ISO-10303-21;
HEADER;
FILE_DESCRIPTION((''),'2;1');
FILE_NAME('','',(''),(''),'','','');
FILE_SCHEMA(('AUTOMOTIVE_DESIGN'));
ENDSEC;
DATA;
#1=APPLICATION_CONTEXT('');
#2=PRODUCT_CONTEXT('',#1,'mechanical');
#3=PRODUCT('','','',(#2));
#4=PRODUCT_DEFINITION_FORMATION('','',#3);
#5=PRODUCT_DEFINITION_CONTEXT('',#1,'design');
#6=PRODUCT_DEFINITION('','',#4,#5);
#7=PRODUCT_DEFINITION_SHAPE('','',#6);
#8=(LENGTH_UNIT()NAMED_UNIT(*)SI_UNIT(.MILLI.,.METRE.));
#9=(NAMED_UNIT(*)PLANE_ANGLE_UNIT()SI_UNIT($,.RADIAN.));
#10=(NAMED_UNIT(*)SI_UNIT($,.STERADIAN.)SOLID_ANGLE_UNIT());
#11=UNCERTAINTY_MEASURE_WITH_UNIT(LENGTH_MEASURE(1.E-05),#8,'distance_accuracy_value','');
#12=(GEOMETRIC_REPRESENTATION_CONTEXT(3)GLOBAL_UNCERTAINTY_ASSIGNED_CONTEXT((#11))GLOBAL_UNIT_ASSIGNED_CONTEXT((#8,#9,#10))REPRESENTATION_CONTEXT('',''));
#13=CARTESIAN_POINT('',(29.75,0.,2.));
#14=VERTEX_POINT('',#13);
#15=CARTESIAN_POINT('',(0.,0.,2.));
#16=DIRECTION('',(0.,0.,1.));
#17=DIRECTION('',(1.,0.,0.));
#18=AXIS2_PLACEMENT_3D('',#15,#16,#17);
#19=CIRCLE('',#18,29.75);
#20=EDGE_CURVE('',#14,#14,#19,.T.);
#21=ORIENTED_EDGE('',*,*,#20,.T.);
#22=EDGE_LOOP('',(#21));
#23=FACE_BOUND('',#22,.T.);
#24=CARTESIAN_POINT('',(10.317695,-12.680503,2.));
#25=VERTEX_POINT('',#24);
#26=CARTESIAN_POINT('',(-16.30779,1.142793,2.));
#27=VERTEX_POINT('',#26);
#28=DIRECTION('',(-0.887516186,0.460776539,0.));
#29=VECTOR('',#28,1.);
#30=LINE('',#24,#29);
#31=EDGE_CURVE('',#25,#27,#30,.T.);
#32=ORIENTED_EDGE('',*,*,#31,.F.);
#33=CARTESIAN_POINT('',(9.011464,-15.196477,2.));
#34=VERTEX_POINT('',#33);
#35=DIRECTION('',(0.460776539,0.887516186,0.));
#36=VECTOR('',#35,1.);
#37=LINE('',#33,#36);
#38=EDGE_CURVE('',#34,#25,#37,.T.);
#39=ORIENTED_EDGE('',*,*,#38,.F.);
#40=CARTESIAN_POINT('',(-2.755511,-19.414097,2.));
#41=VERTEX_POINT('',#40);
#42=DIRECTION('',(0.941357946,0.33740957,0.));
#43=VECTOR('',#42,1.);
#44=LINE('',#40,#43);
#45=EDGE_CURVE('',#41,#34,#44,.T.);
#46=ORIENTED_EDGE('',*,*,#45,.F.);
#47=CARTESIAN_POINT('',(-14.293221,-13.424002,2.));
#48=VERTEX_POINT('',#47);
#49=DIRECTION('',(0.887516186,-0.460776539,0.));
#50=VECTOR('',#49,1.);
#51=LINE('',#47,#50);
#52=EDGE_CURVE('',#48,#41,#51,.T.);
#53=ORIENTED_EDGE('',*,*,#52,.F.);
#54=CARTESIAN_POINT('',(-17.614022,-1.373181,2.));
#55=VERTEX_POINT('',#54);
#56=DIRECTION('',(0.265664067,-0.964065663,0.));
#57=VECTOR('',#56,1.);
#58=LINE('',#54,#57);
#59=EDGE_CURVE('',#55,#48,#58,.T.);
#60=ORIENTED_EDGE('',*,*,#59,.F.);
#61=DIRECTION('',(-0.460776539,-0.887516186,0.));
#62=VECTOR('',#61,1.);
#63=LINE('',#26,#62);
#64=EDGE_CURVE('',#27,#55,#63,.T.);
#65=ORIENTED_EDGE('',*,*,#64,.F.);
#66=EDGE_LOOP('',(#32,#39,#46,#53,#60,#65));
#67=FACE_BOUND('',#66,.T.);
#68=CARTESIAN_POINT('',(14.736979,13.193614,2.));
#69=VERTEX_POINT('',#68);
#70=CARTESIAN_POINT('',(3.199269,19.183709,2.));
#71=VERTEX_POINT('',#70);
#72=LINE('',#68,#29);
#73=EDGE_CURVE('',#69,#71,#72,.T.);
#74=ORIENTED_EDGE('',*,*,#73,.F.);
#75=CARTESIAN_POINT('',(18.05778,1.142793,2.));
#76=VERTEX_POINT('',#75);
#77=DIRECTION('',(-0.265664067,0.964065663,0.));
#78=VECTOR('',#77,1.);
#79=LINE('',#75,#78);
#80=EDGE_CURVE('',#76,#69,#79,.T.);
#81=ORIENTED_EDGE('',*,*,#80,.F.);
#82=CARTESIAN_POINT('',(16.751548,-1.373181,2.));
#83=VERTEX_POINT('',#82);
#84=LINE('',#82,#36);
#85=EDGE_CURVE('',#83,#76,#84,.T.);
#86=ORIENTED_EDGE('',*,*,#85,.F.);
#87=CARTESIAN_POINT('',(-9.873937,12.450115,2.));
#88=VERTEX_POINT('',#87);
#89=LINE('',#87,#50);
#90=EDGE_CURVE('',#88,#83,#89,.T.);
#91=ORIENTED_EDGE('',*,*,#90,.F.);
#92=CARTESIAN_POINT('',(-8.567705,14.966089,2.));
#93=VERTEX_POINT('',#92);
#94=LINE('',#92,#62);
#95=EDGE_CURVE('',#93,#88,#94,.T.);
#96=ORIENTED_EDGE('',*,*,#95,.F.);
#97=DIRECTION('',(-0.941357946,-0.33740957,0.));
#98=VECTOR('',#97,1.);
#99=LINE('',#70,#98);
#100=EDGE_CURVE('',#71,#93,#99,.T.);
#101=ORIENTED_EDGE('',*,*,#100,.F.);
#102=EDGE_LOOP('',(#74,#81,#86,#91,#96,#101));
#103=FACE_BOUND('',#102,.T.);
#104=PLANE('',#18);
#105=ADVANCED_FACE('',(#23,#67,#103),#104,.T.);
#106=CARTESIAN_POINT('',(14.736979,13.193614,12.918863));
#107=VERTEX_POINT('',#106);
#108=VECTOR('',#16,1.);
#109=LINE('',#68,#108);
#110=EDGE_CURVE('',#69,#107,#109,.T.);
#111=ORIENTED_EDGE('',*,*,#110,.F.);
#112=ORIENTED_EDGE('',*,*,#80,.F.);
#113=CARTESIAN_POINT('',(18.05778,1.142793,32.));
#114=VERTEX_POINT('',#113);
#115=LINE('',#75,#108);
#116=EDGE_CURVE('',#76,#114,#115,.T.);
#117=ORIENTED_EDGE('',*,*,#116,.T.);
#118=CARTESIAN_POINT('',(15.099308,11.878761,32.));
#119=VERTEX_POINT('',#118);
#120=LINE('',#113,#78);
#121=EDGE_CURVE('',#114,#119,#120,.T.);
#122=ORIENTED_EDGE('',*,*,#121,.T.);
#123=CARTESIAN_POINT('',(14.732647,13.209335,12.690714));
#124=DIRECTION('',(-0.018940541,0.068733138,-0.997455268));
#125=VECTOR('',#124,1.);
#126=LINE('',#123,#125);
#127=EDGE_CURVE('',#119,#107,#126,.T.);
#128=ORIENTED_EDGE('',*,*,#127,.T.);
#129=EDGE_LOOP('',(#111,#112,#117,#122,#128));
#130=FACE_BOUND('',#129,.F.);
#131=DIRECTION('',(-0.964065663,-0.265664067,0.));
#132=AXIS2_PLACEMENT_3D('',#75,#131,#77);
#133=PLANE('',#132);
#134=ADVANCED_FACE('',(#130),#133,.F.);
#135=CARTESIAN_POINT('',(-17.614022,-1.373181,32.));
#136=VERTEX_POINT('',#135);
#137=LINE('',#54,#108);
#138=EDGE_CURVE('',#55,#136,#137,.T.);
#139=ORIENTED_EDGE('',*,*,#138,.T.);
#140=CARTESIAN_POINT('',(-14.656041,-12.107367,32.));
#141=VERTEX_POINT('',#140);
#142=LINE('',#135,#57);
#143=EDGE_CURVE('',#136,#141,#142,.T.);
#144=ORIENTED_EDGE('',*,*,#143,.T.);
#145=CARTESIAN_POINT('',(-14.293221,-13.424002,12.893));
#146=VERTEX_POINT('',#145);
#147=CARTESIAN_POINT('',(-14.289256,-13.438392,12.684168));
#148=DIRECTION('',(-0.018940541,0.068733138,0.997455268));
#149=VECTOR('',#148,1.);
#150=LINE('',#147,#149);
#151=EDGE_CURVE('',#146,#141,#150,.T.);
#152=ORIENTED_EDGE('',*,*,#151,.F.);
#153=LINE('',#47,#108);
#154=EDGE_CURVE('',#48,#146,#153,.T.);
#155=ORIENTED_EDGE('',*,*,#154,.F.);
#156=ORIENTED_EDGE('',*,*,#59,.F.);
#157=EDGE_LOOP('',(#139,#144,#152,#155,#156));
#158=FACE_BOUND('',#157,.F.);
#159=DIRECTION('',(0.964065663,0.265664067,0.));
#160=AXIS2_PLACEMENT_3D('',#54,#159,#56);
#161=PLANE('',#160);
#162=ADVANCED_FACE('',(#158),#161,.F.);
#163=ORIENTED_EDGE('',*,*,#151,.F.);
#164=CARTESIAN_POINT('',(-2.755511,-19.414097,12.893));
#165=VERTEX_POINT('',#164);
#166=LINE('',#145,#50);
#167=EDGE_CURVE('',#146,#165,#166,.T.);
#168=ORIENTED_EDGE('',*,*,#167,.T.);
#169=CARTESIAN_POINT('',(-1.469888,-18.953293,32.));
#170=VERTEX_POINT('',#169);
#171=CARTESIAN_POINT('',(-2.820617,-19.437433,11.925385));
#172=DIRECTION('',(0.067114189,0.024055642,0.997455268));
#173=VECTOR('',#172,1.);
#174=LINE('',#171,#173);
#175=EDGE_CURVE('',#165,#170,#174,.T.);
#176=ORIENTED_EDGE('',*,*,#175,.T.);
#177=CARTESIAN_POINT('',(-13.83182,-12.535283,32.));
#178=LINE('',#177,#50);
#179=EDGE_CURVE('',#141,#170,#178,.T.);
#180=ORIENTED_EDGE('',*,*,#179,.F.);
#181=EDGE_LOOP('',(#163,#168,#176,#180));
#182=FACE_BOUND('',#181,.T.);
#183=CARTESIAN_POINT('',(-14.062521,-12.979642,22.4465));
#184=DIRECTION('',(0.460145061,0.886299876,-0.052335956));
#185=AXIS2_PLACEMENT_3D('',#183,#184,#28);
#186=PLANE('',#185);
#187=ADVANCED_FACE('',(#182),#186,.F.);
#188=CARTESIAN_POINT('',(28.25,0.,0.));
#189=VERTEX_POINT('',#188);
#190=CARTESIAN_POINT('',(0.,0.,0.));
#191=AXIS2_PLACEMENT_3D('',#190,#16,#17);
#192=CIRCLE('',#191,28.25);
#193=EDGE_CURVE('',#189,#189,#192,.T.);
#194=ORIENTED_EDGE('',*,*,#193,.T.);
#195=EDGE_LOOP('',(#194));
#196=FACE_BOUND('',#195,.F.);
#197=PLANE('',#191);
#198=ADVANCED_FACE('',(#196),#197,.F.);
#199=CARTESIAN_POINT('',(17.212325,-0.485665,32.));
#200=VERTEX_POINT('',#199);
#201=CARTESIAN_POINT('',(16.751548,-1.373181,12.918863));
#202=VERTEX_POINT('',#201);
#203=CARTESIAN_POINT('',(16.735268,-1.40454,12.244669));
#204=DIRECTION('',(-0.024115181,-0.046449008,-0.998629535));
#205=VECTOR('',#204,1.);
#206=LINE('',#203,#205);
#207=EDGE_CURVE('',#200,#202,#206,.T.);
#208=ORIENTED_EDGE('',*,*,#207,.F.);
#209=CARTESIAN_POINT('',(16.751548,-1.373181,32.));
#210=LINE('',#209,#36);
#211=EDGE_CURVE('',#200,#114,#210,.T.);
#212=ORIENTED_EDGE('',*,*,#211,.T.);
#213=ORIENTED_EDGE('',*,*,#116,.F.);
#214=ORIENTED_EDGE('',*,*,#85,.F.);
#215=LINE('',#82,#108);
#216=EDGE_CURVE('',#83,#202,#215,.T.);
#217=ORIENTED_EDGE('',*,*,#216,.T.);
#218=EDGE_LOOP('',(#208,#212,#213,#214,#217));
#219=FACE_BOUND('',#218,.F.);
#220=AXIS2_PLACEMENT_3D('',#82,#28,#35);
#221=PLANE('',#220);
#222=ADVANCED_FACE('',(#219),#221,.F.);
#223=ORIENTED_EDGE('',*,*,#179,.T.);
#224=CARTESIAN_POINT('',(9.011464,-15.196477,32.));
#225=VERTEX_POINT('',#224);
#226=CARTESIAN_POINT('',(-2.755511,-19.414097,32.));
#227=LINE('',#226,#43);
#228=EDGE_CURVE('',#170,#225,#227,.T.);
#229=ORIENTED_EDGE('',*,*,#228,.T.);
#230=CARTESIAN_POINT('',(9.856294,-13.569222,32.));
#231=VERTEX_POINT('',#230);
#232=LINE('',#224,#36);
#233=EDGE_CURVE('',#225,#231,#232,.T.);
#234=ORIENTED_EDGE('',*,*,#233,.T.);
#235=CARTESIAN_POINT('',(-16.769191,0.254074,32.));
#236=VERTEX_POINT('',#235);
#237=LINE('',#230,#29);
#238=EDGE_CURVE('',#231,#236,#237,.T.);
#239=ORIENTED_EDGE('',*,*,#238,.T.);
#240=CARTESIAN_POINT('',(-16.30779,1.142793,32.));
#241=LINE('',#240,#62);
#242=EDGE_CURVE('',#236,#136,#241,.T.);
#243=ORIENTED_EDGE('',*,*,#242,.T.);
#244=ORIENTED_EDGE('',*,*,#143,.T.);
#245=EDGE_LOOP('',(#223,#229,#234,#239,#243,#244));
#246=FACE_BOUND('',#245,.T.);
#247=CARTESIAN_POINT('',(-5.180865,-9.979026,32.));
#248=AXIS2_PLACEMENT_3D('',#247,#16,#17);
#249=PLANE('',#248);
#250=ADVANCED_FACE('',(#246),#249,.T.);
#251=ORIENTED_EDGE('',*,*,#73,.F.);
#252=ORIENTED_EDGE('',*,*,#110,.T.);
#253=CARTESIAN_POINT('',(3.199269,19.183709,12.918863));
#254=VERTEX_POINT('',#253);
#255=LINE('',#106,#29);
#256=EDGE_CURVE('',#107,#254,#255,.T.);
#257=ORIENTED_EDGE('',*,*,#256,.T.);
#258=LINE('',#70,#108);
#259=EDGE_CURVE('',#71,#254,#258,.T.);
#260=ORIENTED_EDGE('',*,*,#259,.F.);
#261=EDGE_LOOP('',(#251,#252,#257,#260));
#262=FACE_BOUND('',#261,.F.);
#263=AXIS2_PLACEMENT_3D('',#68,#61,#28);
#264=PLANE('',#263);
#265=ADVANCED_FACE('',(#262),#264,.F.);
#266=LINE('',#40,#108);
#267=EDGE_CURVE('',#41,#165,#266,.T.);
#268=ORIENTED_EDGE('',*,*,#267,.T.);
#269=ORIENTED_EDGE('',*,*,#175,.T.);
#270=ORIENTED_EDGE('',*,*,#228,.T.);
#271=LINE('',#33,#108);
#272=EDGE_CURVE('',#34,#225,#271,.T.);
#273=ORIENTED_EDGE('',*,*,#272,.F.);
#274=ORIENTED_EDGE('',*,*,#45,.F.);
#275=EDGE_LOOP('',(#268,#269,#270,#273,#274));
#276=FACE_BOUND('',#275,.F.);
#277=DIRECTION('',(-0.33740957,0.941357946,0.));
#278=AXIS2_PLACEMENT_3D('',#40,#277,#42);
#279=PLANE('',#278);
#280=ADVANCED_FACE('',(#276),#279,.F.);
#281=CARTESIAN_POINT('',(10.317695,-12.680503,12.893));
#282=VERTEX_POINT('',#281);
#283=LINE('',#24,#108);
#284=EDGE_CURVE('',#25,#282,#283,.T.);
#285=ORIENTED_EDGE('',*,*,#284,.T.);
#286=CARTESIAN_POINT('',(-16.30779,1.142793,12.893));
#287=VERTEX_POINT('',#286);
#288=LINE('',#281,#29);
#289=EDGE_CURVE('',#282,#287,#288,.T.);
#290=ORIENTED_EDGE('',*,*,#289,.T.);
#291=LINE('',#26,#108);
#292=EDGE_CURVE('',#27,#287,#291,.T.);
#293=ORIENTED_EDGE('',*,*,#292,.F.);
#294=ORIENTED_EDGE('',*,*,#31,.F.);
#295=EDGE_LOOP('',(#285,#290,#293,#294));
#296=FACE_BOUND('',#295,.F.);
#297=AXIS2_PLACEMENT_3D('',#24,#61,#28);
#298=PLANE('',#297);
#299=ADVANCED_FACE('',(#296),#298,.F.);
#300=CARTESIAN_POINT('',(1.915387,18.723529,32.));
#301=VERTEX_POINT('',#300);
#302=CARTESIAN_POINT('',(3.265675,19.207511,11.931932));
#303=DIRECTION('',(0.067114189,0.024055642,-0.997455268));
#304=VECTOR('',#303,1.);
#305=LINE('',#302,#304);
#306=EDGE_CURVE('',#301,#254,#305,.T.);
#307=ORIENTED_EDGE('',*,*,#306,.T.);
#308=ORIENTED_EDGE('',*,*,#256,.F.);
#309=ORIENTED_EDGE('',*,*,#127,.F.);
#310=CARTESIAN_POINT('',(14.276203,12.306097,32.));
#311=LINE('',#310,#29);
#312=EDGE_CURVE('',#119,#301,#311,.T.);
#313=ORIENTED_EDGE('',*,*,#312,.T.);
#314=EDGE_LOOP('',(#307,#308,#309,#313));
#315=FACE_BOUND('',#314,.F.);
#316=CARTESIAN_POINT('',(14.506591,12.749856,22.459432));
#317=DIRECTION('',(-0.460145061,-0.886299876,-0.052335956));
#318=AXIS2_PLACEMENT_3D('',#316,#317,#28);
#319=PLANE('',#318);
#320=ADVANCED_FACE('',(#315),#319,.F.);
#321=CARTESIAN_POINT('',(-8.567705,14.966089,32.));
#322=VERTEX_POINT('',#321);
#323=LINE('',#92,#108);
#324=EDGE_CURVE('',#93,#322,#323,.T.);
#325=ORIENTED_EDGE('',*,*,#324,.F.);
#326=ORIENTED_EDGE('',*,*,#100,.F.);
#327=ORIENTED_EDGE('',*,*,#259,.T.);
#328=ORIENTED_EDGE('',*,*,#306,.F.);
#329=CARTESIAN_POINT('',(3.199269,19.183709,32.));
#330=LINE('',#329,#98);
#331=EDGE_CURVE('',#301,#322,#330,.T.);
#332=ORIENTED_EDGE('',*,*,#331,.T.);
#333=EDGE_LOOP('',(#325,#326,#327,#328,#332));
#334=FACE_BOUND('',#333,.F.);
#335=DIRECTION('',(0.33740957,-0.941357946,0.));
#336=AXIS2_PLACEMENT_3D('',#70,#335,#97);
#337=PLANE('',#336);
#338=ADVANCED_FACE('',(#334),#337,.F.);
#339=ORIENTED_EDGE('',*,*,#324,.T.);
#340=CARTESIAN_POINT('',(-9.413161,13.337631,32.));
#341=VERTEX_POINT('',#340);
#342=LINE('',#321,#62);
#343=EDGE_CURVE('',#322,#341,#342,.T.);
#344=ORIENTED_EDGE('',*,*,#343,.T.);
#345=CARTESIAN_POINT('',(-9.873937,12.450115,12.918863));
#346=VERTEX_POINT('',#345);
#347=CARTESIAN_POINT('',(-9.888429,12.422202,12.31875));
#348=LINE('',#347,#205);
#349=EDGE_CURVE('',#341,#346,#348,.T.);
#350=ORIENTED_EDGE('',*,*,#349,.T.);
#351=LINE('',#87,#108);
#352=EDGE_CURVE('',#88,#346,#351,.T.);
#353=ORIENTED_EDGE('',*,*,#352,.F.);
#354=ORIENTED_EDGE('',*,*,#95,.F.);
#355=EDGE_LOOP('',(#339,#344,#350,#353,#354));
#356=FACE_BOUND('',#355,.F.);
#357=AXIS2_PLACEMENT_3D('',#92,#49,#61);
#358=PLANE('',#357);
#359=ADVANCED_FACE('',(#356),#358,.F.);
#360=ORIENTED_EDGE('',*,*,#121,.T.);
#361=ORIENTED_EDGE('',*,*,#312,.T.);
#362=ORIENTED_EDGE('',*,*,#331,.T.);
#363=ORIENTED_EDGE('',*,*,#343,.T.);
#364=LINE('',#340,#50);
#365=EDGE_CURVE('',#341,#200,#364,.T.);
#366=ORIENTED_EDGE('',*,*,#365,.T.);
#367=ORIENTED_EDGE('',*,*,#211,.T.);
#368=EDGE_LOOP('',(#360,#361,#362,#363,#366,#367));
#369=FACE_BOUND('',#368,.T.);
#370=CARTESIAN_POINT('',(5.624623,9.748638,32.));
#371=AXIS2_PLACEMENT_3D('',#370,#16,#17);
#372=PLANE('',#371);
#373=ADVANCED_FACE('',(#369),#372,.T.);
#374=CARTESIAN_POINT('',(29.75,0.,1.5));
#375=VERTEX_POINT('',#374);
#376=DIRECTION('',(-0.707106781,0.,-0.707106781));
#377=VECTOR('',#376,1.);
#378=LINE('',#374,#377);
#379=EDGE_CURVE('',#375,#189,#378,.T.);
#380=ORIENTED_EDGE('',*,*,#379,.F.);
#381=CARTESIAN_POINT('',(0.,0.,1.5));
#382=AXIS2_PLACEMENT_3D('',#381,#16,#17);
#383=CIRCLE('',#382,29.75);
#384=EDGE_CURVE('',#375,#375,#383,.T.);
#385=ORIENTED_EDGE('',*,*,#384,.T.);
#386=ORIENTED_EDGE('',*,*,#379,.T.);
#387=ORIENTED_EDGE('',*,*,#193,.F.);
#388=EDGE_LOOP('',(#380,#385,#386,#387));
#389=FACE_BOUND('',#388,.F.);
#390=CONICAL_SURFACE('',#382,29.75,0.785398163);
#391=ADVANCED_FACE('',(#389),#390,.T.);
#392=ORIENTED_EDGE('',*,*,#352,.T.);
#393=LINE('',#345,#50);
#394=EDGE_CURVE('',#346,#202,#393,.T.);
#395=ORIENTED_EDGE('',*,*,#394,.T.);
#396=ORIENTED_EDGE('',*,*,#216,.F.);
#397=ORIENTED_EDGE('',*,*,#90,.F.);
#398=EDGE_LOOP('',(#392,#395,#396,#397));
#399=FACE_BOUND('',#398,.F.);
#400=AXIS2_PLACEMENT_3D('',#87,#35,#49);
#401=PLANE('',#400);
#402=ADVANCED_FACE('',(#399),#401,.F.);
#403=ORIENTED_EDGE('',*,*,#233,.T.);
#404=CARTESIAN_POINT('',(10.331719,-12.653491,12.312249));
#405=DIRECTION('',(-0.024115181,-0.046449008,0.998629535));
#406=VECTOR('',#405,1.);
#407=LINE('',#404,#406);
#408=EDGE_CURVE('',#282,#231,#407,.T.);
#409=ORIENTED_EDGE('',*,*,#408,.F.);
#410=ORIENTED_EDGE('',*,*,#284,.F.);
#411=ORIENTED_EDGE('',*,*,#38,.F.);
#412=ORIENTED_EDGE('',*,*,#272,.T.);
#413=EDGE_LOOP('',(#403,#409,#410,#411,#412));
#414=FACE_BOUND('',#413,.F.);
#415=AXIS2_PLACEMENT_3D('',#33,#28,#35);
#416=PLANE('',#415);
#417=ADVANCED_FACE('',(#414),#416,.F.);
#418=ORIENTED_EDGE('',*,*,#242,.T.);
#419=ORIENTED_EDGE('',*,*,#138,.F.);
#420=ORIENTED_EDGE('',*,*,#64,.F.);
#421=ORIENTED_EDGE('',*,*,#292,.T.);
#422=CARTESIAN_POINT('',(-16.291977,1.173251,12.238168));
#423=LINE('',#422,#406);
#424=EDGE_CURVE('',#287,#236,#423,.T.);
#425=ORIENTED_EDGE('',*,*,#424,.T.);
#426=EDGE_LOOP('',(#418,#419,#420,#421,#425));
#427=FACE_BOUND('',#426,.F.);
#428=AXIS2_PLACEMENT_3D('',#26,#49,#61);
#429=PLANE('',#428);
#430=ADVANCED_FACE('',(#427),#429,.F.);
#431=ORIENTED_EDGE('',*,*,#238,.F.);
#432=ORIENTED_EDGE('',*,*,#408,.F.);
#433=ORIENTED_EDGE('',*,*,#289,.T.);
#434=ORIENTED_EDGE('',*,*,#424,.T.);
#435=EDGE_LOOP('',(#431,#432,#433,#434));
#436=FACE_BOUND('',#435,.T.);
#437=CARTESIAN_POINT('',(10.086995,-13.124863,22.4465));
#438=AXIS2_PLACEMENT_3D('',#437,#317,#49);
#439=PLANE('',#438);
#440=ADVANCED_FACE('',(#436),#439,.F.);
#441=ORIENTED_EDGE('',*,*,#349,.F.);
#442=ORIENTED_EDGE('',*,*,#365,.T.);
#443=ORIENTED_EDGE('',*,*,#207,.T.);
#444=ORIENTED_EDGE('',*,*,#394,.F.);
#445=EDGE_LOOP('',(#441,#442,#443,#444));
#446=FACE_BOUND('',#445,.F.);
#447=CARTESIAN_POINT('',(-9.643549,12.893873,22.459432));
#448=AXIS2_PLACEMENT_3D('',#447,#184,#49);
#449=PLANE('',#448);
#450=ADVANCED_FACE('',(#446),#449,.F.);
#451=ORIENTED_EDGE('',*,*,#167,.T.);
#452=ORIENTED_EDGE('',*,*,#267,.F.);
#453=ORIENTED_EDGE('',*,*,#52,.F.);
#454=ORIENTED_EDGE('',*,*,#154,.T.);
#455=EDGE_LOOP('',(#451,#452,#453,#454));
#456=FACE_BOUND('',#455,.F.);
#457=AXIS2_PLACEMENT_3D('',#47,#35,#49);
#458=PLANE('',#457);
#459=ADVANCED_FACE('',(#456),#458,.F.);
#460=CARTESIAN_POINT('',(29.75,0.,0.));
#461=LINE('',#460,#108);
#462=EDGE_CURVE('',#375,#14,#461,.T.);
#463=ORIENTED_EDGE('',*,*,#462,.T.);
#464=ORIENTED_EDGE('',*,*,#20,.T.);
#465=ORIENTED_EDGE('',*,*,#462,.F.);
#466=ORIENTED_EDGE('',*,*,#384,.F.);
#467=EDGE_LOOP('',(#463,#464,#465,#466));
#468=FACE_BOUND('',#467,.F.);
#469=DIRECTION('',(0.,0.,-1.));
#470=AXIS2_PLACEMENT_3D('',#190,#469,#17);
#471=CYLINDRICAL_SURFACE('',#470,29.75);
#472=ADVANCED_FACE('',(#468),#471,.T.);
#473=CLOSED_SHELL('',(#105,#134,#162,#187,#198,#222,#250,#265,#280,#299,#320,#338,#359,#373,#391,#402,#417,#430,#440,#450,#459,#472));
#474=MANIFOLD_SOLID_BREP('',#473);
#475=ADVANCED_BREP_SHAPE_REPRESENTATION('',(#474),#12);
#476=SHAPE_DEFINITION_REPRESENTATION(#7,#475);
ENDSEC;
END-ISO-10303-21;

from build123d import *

# Parameters (mm, degrees)
F0_R       = 29.75
F1_DEPTH   = 2
F3_DEPTH   = 30
F4_SIZE2   = 19.0811366877
F4_SIZE    = 1
F5_SIZE2   = 1.0013554388
F5_SIZE    = 19.107
F5_2_SIZE2 = 1.0013554388
F5_2_SIZE  = 19.107
F6_SIZE    = 1.5


with BuildPart() as f1:
    # F0 (on Top) → F1 (new body)
    with BuildSketch(Plane.XY):
        Circle(F0_R)
    extrude(amount=F1_DEPTH)

    # F2 (on face) → F3 (join)
    with BuildSketch(Plane.XY.offset(2)):
        Polygon((10.3176952883, -12.6805032999), (-16.307790299, 1.1427928787), (-17.614022031, -1.3731811483), (-14.2932211873, -13.4240019402), (-2.7555107662, -19.4140969509), (9.0114635564, -15.1964773269), align=None)
        Polygon((-8.5677054632, 14.9660890572), (-9.8739371952, 12.4501150302), (16.7515483921, -1.3731811483), (18.0577801241, 1.1427928787), (14.7369792805, 13.1936136705), (3.1992688593, 19.1837086812), align=None)
    extrude(amount=F3_DEPTH)

    # F4
    f4_edges = [f1.edges().sort_by_distance(p)[0] for p in [
        (3.438806, 5.538467, 32),
        (8.968124, 16.188661, 32),
    ]]
    f4_side = f1.faces().sort_by_distance((5.828725, 10.141766, 32))[0]
    chamfer(f4_edges, length=F4_SIZE, length2=F4_SIZE2, reference=f4_side)

    # F5
    f5_edges = [f1.edges().sort_by_distance(p)[0] for p in [
        (-2.995048, -5.768855, 32),
    ]]
    f5_side = f1.faces().sort_by_distance((-2.995048, -5.768855, 17))[0]
    chamfer(f5_edges, length=F5_SIZE, length2=F5_SIZE2, reference=f5_side)

    # F5#2
    f5_2_edges = [f1.edges().sort_by_distance(p)[0] for p in [
        (-8.524366, -16.419049, 32),
    ]]
    f5_2_side = f1.faces().sort_by_distance((-8.524366, -16.419049, 17))[0]
    chamfer(f5_2_edges, length=F5_2_SIZE, length2=F5_2_SIZE2, reference=f5_2_side)

    # F6
    f6_edges = [f1.edges().sort_by_distance(p)[0] for p in [
        (-29.75, 0, 0),
    ]]
    chamfer(f6_edges, length=F6_SIZE)


solid = f1.part
